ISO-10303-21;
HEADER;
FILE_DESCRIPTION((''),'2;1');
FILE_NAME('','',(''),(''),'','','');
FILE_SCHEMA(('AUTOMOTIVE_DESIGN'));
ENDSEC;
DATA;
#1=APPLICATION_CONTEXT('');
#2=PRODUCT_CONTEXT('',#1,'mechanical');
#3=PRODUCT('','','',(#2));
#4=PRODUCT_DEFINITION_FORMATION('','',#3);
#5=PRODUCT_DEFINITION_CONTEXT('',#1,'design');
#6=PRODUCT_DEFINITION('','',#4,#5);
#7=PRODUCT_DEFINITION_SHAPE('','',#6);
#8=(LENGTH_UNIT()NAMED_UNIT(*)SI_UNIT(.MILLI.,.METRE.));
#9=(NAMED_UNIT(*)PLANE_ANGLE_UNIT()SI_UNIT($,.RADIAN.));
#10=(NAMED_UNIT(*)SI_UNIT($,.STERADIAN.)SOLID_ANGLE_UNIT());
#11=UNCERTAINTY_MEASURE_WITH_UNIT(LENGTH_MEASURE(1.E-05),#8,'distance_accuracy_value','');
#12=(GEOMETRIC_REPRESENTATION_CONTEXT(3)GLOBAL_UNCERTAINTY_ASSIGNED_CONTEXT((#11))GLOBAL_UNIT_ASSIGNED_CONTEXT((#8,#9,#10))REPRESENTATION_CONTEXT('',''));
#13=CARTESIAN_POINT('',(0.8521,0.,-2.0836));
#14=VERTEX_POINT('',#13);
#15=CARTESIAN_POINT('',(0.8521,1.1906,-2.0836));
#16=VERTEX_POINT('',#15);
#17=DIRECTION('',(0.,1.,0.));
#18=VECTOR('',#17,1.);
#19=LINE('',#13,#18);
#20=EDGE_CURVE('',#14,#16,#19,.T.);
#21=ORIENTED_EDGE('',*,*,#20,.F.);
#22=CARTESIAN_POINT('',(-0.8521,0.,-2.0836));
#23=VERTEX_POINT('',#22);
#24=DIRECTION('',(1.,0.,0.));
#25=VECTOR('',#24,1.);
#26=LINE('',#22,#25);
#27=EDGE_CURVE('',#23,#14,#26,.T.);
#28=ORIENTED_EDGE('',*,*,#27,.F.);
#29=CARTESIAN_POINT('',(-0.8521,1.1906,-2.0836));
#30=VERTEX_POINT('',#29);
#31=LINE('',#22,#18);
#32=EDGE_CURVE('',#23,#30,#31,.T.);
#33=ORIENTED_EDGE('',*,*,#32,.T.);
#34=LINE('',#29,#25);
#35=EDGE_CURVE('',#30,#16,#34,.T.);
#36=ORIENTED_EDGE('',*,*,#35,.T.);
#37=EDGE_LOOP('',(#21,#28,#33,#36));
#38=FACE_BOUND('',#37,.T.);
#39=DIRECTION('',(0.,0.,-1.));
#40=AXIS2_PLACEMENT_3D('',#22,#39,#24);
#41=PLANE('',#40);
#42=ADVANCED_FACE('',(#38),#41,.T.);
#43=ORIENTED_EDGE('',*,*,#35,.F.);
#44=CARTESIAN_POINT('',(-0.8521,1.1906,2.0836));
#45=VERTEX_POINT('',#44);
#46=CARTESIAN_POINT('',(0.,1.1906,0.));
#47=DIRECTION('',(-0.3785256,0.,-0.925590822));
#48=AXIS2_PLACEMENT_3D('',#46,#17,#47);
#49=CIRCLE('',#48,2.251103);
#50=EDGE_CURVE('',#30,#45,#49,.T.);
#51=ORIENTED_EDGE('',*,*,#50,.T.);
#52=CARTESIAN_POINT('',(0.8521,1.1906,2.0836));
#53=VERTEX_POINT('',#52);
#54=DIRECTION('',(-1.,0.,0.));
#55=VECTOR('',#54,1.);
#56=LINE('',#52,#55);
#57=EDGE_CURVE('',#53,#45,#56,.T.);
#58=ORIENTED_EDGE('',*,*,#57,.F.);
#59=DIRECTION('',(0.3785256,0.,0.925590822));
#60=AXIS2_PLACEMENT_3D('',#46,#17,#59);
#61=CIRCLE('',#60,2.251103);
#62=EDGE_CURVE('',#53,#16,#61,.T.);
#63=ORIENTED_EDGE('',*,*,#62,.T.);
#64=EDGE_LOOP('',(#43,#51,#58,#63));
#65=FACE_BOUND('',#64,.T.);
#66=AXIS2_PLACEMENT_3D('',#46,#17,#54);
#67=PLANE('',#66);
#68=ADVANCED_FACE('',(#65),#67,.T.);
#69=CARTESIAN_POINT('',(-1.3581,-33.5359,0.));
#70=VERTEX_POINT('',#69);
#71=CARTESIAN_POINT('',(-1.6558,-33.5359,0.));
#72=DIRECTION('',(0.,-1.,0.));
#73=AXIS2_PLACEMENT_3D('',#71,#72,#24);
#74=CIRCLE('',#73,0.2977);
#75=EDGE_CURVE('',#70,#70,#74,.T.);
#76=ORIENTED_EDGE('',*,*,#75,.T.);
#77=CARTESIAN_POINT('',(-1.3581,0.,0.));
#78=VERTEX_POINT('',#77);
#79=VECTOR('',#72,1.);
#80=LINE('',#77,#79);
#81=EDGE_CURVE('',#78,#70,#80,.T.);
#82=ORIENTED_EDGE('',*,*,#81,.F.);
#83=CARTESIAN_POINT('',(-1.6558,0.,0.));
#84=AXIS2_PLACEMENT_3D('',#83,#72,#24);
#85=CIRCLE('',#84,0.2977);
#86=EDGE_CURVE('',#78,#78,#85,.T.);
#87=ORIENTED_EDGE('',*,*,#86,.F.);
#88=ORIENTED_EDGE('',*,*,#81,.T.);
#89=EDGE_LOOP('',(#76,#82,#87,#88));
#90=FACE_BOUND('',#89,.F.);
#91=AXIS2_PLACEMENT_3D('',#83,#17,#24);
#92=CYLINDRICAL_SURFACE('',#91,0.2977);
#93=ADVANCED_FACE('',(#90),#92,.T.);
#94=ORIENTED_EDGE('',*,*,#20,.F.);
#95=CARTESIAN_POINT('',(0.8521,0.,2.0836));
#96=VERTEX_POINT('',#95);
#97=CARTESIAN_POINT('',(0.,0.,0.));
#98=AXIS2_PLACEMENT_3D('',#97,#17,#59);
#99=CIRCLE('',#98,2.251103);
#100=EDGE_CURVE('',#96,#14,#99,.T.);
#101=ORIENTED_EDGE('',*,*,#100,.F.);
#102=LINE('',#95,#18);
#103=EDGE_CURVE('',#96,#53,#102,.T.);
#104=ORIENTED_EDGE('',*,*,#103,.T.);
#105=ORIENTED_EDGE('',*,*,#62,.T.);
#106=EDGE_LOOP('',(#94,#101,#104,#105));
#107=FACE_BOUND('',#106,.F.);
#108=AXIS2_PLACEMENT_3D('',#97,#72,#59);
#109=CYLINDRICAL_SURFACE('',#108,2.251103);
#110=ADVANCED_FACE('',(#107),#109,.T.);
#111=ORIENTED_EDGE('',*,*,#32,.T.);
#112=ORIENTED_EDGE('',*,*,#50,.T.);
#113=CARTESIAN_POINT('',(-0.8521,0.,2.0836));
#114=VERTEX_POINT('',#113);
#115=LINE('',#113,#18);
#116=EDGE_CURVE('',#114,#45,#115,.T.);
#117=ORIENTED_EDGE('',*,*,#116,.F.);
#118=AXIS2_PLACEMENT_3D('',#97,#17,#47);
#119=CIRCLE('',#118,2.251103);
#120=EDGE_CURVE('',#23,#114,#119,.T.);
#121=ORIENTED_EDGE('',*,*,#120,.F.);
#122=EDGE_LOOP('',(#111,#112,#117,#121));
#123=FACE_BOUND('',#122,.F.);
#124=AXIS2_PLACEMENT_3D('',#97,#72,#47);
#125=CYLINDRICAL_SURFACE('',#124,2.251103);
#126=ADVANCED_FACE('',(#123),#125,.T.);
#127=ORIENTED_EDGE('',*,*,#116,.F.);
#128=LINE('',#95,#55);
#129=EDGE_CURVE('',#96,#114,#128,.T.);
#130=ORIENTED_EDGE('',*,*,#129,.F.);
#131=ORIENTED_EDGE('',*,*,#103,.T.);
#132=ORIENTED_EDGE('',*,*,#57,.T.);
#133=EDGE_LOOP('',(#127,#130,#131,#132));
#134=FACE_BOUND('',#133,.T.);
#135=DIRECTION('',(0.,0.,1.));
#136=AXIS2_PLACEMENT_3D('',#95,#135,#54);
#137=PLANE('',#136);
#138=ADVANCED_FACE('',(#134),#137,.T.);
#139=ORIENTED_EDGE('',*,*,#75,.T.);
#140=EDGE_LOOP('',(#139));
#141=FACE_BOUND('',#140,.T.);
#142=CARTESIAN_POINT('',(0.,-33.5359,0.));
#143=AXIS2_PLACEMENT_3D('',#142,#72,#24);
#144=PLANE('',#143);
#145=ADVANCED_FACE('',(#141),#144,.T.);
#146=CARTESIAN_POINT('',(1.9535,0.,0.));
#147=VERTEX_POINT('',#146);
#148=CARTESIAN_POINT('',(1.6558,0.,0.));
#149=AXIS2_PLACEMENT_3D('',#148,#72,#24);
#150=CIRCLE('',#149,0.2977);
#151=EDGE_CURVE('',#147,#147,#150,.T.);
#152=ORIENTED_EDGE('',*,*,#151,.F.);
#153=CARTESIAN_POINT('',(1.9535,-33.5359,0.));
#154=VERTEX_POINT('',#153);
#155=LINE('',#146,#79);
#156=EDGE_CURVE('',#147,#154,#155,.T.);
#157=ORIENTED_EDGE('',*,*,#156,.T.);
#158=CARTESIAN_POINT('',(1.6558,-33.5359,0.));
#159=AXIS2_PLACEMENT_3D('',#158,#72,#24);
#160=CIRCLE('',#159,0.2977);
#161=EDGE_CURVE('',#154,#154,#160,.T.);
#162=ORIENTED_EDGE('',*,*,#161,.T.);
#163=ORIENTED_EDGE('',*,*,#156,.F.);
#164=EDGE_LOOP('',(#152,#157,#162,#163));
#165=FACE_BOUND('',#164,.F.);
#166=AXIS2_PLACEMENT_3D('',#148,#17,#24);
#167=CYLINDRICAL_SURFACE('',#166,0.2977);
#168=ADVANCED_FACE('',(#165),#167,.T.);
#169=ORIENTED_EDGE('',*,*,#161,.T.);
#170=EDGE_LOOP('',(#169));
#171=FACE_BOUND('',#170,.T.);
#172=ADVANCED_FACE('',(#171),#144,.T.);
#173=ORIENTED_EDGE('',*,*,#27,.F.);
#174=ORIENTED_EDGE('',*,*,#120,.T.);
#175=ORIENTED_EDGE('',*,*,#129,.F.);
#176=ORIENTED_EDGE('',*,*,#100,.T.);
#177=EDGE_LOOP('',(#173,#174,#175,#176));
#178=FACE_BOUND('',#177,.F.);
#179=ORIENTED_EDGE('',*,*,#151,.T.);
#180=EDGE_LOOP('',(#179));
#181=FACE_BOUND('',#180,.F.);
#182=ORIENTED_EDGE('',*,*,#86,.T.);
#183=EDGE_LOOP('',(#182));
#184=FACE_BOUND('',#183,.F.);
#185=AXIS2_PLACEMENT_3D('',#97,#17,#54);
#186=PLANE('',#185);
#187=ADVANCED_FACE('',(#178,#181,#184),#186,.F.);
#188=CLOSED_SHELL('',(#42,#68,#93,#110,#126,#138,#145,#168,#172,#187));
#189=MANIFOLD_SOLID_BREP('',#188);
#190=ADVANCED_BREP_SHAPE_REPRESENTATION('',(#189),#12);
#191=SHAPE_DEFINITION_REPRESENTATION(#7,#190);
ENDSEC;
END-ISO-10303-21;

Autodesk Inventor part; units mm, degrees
ref_plane "YZ Plane" through (0, 0, 0) normal (1, 0, 0) x (0, 1, 0)
ref_plane "XZ Plane" through (0, 0, 0) normal (0, 1, 0) x (-1, 0, 0)
ref_plane "XY Plane" through (0, 0, 0) normal (0, 0, 1) x (1, 0, 0)
sketch "Sketch2" plane through (0, 0, 0) normal (0, 1, 0) x (-1, 0, 0)
  line L0 (0.8521, -2.0836) -> (-0.8521, -2.0836)
  line L1 (-0.8521, 2.0836) -> (0.8521, 2.0836)
  arc A0 (0.8521, -2.0836) -> (0.8521, 2.0836) centre (0, 0) ccw
  arc A1 (-0.8521, 2.0836) -> (-0.8521, -2.0836) centre (0, 0) ccw
  point P0 (0, -2.0836)
extrude "Extrusion1" add sketch "Sketch2" along normal blind 1.1906
sketch "Sketch3" plane through (0, 0, 0) normal (0, -1, 0) x (1, 0, 0)
  circle A0 centre (-1.6558, 0) radius 0.2977
  circle A1 centre (1.6558, 0) radius 0.2977
  arc A2 (0.8521, -2.0836) -> (0.8521, 2.0836) centre (0, 0) ccw projected
  arc A3 (-0.8521, 2.0836) -> (-0.8521, -2.0836) centre (0, 0) ccw projected
  point P0 (2.2511, 0)
  point P1 (-2.2511, 0)
  dimension "d6" = 0.5953
  dimension "d7" = 0.5953
  dimension "d8" = 0.5953
  dimension "d9" = 0.5953
extrude "Extrusion2" add sketch "Sketch3" along normal blind 33.5359
properties part number "PhotoResistor"
